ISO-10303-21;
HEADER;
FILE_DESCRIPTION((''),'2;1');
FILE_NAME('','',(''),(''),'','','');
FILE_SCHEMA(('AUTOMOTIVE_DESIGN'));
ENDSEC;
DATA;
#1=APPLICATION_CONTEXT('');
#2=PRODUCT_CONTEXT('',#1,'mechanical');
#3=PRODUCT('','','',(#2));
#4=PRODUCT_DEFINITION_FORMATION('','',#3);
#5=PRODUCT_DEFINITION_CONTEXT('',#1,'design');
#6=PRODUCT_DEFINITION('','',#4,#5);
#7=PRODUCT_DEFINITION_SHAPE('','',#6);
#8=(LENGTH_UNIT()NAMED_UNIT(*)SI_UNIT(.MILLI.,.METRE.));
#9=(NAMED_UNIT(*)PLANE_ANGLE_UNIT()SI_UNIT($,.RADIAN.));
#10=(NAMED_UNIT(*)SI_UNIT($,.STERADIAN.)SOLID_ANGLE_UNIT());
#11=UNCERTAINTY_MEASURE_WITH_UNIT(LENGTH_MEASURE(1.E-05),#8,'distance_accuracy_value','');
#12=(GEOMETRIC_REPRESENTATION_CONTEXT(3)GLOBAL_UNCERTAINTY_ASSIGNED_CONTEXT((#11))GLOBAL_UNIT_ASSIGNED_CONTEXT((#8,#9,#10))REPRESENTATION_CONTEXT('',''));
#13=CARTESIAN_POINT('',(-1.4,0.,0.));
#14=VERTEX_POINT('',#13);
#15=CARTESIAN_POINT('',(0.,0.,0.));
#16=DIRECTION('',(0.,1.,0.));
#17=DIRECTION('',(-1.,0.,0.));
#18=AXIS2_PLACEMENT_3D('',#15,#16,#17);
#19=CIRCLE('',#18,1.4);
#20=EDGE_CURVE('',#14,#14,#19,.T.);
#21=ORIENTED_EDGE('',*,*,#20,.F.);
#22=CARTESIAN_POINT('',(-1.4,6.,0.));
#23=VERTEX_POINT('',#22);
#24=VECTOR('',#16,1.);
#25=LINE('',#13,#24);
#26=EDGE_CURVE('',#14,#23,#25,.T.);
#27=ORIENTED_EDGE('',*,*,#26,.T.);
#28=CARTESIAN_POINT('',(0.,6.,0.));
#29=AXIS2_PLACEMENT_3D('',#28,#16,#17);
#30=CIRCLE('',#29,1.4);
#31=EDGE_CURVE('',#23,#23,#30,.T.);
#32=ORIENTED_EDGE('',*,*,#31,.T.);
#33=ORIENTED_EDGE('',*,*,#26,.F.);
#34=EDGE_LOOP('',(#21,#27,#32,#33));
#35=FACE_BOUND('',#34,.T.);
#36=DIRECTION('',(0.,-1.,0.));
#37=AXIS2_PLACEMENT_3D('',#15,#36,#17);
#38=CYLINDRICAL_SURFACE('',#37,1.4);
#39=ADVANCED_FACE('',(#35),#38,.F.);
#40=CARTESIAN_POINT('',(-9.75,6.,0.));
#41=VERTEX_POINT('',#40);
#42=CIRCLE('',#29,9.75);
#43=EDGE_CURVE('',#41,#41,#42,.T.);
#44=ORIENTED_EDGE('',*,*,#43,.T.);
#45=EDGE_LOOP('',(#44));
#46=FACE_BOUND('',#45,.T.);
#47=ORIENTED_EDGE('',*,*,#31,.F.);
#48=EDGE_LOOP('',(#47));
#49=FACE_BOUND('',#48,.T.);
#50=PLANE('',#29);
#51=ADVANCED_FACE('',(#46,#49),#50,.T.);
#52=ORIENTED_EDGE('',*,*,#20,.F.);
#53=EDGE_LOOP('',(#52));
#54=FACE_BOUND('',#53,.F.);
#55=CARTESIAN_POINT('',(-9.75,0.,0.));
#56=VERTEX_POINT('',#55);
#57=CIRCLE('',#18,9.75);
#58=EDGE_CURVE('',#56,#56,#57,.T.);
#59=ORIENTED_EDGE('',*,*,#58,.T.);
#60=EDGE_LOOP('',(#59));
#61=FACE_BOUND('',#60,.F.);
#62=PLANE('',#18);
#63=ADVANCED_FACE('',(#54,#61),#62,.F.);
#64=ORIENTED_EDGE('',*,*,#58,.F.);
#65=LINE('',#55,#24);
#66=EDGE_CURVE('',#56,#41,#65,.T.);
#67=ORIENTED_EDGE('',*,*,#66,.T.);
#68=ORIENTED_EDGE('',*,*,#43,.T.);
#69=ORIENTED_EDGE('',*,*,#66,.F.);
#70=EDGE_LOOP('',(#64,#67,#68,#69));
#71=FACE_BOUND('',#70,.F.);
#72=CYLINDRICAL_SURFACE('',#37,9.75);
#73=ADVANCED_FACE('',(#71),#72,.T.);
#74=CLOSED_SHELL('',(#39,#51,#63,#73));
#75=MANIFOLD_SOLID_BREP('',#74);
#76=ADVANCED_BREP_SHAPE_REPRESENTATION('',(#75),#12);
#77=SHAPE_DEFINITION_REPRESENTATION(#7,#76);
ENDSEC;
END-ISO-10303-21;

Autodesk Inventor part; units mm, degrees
ref_plane "YZ Plane" through (0, 0, 0) normal (1, 0, 0) x (0, 1, 0)
ref_plane "XZ Plane" through (0, 0, 0) normal (0, 1, 0) x (-1, 0, 0)
ref_plane "XY Plane" through (0, 0, 0) normal (0, 0, 1) x (1, 0, 0)
sketch "Sketch1" plane through (0, 0, 0) normal (0, 1, 0) x (-1, 0, 0)
  circle A0 centre (0, 0) radius 1.4
  circle A1 centre (0, 0) radius 9.75
  dimension "d0" = 2.8
  dimension "d2" = 19.5
extrude "Extrusion1" add sketch "Sketch1" along normal blind 6
properties part number "BattForwardEndcapMiddle"
